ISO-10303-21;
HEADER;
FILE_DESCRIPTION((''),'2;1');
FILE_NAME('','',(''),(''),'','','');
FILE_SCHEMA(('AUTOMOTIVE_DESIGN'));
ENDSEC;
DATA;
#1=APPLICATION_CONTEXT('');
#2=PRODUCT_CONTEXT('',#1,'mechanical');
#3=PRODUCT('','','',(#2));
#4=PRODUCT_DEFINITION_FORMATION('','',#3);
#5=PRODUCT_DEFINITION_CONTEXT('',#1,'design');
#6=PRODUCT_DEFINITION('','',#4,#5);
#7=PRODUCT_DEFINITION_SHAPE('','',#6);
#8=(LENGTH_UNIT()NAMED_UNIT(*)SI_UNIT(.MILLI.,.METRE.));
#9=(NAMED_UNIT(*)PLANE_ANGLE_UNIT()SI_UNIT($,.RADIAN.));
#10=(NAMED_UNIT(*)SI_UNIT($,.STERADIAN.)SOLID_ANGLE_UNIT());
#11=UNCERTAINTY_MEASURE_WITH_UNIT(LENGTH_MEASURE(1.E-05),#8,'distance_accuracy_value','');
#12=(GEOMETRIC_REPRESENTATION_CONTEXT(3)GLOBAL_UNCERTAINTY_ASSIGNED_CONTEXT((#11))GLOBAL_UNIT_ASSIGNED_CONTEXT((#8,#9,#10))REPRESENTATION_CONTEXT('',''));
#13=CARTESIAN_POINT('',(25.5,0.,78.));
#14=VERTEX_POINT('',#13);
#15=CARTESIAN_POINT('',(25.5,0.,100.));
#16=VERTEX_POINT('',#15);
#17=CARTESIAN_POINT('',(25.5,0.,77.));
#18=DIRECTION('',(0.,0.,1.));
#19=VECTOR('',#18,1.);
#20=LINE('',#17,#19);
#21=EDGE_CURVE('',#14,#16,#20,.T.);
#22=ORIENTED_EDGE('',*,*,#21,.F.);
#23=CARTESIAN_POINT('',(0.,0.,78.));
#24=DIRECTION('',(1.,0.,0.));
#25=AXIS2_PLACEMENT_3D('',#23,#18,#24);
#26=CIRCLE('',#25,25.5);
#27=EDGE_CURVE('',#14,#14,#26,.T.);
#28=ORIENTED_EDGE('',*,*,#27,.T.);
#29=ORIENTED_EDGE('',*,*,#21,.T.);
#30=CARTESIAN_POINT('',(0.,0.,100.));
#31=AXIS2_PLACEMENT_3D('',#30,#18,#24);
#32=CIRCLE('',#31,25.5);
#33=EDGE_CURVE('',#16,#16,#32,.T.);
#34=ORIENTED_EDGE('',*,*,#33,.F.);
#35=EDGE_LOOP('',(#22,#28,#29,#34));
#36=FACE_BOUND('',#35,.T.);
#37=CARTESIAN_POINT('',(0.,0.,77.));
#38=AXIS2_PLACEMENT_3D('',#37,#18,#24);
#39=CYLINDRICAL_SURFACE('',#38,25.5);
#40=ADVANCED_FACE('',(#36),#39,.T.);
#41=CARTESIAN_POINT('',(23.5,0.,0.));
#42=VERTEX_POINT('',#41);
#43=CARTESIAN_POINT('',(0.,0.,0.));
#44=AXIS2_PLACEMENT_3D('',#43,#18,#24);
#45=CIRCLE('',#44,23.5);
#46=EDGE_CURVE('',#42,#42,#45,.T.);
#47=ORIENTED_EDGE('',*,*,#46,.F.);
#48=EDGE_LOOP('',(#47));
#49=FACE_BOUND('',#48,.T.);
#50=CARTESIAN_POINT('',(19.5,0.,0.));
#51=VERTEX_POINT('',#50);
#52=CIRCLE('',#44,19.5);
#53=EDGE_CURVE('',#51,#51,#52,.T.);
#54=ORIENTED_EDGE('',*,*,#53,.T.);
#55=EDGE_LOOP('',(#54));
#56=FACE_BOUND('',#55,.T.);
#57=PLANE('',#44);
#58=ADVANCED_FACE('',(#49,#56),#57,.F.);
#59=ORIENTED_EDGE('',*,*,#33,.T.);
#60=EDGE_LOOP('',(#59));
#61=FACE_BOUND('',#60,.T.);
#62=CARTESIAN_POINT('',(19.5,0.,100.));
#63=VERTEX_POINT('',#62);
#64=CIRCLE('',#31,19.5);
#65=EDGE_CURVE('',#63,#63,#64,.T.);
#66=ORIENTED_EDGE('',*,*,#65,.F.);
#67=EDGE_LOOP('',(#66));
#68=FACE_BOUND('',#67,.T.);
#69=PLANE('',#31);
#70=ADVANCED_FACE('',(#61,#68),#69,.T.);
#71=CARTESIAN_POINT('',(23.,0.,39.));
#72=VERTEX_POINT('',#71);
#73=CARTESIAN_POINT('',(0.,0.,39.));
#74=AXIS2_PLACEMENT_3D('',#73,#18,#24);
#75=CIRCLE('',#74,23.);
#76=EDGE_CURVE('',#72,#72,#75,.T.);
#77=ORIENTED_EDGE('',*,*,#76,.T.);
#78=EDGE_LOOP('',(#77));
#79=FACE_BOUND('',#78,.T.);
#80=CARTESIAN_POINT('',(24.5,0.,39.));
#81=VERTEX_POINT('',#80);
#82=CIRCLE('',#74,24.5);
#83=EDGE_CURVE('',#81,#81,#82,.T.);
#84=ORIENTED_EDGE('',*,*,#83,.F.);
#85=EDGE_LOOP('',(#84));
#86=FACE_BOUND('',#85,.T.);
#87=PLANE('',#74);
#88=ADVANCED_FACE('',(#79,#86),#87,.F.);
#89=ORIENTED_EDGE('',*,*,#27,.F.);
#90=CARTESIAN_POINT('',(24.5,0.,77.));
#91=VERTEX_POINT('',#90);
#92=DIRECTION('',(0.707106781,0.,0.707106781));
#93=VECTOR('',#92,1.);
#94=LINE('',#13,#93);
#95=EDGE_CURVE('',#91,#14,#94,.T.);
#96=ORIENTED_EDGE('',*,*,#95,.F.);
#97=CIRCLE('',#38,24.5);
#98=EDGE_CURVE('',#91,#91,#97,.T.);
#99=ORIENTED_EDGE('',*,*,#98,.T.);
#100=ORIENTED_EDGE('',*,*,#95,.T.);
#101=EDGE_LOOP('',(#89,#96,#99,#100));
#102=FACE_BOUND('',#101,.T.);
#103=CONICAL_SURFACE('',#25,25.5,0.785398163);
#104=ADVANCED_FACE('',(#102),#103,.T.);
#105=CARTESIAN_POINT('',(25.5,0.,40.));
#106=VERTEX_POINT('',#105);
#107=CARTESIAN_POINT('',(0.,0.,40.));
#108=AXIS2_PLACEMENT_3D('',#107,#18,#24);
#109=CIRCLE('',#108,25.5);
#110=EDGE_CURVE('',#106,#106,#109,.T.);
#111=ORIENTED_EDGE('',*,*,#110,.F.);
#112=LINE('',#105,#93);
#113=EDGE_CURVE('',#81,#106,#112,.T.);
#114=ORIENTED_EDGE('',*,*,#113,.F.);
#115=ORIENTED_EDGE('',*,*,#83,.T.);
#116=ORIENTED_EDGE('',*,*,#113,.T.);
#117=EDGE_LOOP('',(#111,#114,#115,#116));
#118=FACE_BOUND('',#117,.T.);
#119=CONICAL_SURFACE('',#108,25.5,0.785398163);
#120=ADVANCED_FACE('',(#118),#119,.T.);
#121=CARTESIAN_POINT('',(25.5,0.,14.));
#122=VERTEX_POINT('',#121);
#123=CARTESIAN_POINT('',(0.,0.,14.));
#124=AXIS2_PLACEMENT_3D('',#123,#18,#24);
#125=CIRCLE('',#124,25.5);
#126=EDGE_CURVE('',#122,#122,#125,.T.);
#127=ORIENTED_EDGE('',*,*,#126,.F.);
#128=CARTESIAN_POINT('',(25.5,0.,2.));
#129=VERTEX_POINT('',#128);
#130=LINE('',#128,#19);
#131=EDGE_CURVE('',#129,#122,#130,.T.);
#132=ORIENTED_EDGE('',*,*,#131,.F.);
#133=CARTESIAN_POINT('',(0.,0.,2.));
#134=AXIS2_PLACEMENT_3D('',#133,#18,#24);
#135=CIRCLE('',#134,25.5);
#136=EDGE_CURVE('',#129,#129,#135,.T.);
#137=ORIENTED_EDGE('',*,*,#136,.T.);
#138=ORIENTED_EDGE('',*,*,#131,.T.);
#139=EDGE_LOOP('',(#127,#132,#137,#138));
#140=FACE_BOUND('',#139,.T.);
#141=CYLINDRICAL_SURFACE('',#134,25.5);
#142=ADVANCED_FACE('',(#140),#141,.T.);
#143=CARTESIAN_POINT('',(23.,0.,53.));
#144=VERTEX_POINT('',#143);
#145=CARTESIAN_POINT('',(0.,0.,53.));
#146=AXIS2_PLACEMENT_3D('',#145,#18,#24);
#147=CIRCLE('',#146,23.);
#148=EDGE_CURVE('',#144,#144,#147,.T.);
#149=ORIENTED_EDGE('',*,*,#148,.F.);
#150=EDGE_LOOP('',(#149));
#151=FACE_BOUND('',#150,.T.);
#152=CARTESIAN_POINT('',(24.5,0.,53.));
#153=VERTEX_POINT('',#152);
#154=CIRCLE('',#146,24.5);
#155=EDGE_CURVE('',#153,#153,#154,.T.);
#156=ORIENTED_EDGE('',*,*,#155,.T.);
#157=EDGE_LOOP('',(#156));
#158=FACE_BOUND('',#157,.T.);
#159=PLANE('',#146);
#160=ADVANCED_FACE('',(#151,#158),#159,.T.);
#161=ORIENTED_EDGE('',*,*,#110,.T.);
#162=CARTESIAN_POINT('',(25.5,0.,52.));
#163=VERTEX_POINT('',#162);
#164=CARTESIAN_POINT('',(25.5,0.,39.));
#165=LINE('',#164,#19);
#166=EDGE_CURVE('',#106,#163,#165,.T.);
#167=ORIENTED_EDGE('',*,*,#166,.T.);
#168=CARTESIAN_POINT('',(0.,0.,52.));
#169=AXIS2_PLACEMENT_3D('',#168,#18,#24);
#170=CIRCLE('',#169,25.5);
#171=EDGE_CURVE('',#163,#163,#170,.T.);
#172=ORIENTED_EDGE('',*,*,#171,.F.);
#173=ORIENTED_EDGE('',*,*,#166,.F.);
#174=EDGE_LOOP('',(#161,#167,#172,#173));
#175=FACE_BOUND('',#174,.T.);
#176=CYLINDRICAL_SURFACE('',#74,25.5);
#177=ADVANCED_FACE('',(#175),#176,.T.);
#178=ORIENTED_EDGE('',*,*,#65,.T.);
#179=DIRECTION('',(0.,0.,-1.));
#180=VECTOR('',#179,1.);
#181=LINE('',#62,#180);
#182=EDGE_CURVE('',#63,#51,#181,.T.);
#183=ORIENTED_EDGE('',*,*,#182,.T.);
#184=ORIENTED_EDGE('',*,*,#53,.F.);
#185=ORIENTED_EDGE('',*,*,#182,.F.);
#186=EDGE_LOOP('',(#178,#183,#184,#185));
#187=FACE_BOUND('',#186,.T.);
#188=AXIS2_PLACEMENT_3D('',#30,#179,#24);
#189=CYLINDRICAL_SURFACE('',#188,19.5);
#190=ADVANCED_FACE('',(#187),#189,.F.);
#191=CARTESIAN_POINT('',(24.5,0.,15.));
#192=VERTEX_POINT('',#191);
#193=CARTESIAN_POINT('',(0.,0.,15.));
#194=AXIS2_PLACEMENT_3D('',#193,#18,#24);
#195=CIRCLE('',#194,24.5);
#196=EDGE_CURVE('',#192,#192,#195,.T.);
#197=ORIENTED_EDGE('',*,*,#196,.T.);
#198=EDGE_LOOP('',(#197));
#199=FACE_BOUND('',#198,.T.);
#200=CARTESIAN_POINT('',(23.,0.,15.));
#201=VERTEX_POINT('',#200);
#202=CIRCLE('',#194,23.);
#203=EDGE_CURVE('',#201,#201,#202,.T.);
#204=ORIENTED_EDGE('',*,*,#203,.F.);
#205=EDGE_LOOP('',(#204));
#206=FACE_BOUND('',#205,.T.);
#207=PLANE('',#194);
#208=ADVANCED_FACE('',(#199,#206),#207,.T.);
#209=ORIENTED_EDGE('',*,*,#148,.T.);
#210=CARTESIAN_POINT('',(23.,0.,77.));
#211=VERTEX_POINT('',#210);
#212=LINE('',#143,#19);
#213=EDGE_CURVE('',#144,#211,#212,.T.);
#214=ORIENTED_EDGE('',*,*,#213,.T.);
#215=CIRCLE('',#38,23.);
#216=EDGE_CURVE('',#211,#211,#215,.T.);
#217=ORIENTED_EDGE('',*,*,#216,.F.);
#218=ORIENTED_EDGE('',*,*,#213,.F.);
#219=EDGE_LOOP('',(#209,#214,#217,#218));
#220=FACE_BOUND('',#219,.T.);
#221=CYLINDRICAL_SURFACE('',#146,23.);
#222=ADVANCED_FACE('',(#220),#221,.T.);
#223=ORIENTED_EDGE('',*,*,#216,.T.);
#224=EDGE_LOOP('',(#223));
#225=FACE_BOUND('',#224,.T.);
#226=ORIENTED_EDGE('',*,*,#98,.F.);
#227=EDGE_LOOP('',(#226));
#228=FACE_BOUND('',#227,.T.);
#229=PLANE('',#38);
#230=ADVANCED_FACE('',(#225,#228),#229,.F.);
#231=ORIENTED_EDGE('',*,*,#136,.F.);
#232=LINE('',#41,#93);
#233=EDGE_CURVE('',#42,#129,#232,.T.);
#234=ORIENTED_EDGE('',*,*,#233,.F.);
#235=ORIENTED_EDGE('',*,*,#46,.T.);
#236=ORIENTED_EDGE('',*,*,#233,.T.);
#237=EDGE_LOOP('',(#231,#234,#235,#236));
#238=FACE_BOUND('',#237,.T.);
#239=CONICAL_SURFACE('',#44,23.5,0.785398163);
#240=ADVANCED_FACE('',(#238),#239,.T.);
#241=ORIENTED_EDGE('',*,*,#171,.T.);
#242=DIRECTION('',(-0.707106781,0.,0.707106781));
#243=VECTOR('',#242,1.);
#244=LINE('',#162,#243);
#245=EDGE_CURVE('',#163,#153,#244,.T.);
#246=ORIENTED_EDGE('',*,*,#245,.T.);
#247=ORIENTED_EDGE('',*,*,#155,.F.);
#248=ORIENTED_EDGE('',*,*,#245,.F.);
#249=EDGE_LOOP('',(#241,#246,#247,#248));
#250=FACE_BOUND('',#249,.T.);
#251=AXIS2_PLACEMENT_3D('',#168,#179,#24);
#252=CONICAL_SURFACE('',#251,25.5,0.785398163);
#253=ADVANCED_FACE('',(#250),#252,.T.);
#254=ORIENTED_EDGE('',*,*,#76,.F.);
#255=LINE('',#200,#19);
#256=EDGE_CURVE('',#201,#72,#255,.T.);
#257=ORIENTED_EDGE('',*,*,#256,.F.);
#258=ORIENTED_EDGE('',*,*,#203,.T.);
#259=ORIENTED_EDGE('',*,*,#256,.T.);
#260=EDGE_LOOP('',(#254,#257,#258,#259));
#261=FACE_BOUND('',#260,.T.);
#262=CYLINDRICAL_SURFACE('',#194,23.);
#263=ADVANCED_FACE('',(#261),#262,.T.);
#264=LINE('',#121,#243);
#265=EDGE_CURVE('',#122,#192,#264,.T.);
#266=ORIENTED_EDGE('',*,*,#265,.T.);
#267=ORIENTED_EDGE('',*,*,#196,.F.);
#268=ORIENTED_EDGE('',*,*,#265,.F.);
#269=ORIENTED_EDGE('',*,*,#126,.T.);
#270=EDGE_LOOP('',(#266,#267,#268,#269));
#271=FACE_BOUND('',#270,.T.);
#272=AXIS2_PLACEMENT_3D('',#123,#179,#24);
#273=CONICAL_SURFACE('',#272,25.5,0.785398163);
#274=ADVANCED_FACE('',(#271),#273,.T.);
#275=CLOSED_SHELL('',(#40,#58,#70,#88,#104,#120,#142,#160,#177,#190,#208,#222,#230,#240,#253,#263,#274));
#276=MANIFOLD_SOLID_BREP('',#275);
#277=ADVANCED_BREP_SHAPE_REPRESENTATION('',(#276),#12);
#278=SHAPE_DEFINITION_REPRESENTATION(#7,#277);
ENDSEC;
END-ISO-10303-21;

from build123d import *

# Parameters (mm, degrees)
F2_SIZE = 1


with BuildPart() as f1:
    # F0 (on Front) → F1 (revolve)
    with BuildSketch(Plane.XZ):
        Polygon((19.5, 100), (19.5, 0), (23.5, 0), (25.5, 2), (25.5, 15), (23, 15), (23, 39), (25.5, 39), (25.5, 53), (23, 53), (23, 77), (25.5, 77), (25.5, 100), align=None)
    revolve(axis=Axis((0, 0, 117.261842), (0, 0, 1)))

    # F2
    f2_edges = [f1.edges().sort_by_distance(p)[0] for p in [
        (-25.5, 0, 77),
        (-25.5, 0, 53),
        (-25.5, 0, 39),
        (-25.5, 0, 15),
    ]]
    chamfer(f2_edges, length=F2_SIZE)


solid = f1.part
